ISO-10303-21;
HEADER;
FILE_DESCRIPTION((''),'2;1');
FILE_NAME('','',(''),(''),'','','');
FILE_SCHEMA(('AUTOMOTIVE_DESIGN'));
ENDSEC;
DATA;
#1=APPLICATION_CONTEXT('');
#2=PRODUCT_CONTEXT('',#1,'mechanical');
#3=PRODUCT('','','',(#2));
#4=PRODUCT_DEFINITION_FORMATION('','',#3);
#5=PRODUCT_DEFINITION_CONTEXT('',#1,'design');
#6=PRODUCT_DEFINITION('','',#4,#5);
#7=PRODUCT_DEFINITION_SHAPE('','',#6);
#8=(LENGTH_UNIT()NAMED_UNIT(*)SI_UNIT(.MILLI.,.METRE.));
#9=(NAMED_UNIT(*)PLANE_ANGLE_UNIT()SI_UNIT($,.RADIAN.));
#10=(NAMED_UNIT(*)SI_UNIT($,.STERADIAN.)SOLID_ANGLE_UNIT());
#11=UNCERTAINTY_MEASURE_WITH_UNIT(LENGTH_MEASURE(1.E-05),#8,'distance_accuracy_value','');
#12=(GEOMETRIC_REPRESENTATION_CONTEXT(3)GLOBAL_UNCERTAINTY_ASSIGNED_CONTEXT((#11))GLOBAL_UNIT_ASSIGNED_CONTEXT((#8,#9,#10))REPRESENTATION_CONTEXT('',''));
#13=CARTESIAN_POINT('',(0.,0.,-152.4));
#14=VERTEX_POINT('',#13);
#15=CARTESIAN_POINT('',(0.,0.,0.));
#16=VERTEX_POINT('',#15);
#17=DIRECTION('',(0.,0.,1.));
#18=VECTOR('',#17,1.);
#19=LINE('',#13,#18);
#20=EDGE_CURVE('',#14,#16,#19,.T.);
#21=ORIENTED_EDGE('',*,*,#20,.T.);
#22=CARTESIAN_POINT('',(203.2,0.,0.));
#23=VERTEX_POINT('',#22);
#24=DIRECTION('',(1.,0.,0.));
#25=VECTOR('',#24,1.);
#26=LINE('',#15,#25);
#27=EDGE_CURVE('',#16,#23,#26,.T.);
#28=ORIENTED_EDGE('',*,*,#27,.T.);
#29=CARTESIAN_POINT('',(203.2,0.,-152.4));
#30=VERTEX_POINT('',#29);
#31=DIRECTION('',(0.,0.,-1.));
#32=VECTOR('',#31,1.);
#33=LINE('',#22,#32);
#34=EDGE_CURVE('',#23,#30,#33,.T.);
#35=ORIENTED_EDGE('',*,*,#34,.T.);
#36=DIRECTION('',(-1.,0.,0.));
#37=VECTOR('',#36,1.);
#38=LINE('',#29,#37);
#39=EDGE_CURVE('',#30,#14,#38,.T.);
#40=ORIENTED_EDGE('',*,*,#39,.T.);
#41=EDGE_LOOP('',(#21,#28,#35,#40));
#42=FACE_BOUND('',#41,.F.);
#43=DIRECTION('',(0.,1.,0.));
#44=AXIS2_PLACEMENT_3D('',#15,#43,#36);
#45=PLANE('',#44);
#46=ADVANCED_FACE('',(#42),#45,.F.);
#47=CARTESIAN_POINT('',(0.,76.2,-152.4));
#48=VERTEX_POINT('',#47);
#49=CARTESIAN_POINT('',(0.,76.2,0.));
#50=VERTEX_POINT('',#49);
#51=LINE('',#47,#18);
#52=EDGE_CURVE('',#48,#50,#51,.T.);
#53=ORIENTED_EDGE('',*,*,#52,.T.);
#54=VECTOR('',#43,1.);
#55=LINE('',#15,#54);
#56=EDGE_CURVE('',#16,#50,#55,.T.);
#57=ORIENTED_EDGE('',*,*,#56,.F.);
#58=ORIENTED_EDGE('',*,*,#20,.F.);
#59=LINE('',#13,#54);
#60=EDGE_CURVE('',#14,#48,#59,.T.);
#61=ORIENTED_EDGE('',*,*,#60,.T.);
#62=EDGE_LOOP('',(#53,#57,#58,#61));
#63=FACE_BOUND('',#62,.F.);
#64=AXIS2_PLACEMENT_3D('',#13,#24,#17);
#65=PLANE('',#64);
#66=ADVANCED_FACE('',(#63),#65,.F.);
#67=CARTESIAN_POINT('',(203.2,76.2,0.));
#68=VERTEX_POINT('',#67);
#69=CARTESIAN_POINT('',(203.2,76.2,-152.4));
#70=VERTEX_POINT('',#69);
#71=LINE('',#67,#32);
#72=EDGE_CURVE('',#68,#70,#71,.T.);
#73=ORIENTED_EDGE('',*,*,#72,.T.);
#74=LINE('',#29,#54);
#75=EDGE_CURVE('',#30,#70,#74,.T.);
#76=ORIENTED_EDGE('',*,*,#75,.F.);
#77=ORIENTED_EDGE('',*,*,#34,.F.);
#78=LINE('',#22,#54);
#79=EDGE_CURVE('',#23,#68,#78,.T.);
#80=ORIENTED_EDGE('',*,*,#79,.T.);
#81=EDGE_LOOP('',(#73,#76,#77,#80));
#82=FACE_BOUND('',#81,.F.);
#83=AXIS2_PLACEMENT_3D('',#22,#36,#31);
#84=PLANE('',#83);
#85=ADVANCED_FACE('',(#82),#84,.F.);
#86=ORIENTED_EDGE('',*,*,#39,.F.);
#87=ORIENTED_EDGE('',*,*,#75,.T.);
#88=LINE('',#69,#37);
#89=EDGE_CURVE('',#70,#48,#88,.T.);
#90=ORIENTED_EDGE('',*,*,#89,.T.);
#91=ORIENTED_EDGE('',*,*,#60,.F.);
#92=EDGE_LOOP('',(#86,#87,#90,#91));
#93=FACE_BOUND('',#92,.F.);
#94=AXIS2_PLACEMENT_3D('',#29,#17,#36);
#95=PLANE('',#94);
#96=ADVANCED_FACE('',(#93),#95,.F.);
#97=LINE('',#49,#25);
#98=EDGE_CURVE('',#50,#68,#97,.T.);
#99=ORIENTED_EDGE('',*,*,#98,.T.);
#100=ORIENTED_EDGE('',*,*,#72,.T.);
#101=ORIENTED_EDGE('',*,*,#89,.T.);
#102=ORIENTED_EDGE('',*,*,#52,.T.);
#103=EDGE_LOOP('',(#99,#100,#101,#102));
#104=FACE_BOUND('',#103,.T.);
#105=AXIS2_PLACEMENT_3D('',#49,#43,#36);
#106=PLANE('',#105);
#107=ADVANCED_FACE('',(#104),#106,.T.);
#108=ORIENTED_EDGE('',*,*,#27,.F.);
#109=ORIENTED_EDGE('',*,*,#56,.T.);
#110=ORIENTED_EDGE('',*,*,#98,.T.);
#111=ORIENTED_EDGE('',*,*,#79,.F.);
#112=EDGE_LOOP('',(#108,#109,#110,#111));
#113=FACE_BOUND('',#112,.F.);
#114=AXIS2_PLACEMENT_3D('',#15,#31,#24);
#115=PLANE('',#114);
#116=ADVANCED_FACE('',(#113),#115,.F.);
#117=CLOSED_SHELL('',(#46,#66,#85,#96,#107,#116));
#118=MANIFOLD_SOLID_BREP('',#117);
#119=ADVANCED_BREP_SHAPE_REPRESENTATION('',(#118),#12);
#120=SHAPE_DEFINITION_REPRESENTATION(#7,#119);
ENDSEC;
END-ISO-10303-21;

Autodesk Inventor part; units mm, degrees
ref_plane "YZ Plane" through (0, 0, 0) normal (1, 0, 0) x (0, 1, 0)
ref_plane "XZ Plane" through (0, 0, 0) normal (0, 1, 0) x (-1, 0, 0)
ref_plane "XY Plane" through (0, 0, 0) normal (0, 0, 1) x (1, 0, 0)
sketch "Sketch1" plane through (0, 0, 0) normal (0, 1, 0) x (-1, 0, 0)
  line L0 (0, 0) -> (-203.2, 0)
  line L1 (-203.2, 0) -> (-203.2, -152.4)
  line L2 (-203.2, -152.4) -> (0, -152.4)
  line L3 (0, -152.4) -> (0, 0)
  dimension "d0" = 203.2
  dimension "d1" = 152.4
extrude "Extrusion1" add sketch "Sketch1" along normal blind 76.2
sketch "Sketch2" plane through (0, 76.2, 0) normal (0, 1, 0) x (1, 0, 0)
  line L0 (0, 0) -> (203.2, 0) projected
  line L1 (203.2, 0) -> (203.2, 152.4) projected
  line L2 (203.2, 152.4) -> (0, 152.4) projected
  line L3 (0, 152.4) -> (0, 0) projected
  line L4 (203.2, 0) -> (101.6, 0) construction
  line L5 (101.6, 63.5) -> (203.2, 63.5) construction
  line L6 (203.2, 63.5) -> (203.2, 0) construction
  line L7 (203.2, 152.4) -> (101.6, 152.4) construction
  line L8 (101.6, 88.9) -> (203.2, 88.9) construction
  line L9 (203.2, 88.9) -> (203.2, 152.4) construction
  line L10 (0, 0) -> (203.2, 0) construction
  line L11 (203.2, 152.4) -> (0, 152.4) construction
  point P0 (101.6, 120.65)
  point P1 (101.6, 31.75)
  dimension "d4" = 101.6
  dimension "d5" = 63.5
  dimension "d6" = 101.6
  dimension "d7" = 63.5
sketch "Sketch3" plane through (0, 76.2, 0) normal (0, 1, 0) x (1, 0, 0)
  line L0 (0, 0) -> (203.2, 0) projected
  line L1 (203.2, 0) -> (203.2, 152.4) construction
  line L2 (203.2, 152.4) -> (0, 152.4) projected
  line L3 (0, 152.4) -> (0, 0) projected
  line L4 (203.2, 0) -> (203.2, 34.671) construction
  line L5 (203.2, 0) -> (203.2, 152.4) construction
  point P0 (152.4, 34.671)
  dimension "d10" = 34.671
properties part number "Brain"
